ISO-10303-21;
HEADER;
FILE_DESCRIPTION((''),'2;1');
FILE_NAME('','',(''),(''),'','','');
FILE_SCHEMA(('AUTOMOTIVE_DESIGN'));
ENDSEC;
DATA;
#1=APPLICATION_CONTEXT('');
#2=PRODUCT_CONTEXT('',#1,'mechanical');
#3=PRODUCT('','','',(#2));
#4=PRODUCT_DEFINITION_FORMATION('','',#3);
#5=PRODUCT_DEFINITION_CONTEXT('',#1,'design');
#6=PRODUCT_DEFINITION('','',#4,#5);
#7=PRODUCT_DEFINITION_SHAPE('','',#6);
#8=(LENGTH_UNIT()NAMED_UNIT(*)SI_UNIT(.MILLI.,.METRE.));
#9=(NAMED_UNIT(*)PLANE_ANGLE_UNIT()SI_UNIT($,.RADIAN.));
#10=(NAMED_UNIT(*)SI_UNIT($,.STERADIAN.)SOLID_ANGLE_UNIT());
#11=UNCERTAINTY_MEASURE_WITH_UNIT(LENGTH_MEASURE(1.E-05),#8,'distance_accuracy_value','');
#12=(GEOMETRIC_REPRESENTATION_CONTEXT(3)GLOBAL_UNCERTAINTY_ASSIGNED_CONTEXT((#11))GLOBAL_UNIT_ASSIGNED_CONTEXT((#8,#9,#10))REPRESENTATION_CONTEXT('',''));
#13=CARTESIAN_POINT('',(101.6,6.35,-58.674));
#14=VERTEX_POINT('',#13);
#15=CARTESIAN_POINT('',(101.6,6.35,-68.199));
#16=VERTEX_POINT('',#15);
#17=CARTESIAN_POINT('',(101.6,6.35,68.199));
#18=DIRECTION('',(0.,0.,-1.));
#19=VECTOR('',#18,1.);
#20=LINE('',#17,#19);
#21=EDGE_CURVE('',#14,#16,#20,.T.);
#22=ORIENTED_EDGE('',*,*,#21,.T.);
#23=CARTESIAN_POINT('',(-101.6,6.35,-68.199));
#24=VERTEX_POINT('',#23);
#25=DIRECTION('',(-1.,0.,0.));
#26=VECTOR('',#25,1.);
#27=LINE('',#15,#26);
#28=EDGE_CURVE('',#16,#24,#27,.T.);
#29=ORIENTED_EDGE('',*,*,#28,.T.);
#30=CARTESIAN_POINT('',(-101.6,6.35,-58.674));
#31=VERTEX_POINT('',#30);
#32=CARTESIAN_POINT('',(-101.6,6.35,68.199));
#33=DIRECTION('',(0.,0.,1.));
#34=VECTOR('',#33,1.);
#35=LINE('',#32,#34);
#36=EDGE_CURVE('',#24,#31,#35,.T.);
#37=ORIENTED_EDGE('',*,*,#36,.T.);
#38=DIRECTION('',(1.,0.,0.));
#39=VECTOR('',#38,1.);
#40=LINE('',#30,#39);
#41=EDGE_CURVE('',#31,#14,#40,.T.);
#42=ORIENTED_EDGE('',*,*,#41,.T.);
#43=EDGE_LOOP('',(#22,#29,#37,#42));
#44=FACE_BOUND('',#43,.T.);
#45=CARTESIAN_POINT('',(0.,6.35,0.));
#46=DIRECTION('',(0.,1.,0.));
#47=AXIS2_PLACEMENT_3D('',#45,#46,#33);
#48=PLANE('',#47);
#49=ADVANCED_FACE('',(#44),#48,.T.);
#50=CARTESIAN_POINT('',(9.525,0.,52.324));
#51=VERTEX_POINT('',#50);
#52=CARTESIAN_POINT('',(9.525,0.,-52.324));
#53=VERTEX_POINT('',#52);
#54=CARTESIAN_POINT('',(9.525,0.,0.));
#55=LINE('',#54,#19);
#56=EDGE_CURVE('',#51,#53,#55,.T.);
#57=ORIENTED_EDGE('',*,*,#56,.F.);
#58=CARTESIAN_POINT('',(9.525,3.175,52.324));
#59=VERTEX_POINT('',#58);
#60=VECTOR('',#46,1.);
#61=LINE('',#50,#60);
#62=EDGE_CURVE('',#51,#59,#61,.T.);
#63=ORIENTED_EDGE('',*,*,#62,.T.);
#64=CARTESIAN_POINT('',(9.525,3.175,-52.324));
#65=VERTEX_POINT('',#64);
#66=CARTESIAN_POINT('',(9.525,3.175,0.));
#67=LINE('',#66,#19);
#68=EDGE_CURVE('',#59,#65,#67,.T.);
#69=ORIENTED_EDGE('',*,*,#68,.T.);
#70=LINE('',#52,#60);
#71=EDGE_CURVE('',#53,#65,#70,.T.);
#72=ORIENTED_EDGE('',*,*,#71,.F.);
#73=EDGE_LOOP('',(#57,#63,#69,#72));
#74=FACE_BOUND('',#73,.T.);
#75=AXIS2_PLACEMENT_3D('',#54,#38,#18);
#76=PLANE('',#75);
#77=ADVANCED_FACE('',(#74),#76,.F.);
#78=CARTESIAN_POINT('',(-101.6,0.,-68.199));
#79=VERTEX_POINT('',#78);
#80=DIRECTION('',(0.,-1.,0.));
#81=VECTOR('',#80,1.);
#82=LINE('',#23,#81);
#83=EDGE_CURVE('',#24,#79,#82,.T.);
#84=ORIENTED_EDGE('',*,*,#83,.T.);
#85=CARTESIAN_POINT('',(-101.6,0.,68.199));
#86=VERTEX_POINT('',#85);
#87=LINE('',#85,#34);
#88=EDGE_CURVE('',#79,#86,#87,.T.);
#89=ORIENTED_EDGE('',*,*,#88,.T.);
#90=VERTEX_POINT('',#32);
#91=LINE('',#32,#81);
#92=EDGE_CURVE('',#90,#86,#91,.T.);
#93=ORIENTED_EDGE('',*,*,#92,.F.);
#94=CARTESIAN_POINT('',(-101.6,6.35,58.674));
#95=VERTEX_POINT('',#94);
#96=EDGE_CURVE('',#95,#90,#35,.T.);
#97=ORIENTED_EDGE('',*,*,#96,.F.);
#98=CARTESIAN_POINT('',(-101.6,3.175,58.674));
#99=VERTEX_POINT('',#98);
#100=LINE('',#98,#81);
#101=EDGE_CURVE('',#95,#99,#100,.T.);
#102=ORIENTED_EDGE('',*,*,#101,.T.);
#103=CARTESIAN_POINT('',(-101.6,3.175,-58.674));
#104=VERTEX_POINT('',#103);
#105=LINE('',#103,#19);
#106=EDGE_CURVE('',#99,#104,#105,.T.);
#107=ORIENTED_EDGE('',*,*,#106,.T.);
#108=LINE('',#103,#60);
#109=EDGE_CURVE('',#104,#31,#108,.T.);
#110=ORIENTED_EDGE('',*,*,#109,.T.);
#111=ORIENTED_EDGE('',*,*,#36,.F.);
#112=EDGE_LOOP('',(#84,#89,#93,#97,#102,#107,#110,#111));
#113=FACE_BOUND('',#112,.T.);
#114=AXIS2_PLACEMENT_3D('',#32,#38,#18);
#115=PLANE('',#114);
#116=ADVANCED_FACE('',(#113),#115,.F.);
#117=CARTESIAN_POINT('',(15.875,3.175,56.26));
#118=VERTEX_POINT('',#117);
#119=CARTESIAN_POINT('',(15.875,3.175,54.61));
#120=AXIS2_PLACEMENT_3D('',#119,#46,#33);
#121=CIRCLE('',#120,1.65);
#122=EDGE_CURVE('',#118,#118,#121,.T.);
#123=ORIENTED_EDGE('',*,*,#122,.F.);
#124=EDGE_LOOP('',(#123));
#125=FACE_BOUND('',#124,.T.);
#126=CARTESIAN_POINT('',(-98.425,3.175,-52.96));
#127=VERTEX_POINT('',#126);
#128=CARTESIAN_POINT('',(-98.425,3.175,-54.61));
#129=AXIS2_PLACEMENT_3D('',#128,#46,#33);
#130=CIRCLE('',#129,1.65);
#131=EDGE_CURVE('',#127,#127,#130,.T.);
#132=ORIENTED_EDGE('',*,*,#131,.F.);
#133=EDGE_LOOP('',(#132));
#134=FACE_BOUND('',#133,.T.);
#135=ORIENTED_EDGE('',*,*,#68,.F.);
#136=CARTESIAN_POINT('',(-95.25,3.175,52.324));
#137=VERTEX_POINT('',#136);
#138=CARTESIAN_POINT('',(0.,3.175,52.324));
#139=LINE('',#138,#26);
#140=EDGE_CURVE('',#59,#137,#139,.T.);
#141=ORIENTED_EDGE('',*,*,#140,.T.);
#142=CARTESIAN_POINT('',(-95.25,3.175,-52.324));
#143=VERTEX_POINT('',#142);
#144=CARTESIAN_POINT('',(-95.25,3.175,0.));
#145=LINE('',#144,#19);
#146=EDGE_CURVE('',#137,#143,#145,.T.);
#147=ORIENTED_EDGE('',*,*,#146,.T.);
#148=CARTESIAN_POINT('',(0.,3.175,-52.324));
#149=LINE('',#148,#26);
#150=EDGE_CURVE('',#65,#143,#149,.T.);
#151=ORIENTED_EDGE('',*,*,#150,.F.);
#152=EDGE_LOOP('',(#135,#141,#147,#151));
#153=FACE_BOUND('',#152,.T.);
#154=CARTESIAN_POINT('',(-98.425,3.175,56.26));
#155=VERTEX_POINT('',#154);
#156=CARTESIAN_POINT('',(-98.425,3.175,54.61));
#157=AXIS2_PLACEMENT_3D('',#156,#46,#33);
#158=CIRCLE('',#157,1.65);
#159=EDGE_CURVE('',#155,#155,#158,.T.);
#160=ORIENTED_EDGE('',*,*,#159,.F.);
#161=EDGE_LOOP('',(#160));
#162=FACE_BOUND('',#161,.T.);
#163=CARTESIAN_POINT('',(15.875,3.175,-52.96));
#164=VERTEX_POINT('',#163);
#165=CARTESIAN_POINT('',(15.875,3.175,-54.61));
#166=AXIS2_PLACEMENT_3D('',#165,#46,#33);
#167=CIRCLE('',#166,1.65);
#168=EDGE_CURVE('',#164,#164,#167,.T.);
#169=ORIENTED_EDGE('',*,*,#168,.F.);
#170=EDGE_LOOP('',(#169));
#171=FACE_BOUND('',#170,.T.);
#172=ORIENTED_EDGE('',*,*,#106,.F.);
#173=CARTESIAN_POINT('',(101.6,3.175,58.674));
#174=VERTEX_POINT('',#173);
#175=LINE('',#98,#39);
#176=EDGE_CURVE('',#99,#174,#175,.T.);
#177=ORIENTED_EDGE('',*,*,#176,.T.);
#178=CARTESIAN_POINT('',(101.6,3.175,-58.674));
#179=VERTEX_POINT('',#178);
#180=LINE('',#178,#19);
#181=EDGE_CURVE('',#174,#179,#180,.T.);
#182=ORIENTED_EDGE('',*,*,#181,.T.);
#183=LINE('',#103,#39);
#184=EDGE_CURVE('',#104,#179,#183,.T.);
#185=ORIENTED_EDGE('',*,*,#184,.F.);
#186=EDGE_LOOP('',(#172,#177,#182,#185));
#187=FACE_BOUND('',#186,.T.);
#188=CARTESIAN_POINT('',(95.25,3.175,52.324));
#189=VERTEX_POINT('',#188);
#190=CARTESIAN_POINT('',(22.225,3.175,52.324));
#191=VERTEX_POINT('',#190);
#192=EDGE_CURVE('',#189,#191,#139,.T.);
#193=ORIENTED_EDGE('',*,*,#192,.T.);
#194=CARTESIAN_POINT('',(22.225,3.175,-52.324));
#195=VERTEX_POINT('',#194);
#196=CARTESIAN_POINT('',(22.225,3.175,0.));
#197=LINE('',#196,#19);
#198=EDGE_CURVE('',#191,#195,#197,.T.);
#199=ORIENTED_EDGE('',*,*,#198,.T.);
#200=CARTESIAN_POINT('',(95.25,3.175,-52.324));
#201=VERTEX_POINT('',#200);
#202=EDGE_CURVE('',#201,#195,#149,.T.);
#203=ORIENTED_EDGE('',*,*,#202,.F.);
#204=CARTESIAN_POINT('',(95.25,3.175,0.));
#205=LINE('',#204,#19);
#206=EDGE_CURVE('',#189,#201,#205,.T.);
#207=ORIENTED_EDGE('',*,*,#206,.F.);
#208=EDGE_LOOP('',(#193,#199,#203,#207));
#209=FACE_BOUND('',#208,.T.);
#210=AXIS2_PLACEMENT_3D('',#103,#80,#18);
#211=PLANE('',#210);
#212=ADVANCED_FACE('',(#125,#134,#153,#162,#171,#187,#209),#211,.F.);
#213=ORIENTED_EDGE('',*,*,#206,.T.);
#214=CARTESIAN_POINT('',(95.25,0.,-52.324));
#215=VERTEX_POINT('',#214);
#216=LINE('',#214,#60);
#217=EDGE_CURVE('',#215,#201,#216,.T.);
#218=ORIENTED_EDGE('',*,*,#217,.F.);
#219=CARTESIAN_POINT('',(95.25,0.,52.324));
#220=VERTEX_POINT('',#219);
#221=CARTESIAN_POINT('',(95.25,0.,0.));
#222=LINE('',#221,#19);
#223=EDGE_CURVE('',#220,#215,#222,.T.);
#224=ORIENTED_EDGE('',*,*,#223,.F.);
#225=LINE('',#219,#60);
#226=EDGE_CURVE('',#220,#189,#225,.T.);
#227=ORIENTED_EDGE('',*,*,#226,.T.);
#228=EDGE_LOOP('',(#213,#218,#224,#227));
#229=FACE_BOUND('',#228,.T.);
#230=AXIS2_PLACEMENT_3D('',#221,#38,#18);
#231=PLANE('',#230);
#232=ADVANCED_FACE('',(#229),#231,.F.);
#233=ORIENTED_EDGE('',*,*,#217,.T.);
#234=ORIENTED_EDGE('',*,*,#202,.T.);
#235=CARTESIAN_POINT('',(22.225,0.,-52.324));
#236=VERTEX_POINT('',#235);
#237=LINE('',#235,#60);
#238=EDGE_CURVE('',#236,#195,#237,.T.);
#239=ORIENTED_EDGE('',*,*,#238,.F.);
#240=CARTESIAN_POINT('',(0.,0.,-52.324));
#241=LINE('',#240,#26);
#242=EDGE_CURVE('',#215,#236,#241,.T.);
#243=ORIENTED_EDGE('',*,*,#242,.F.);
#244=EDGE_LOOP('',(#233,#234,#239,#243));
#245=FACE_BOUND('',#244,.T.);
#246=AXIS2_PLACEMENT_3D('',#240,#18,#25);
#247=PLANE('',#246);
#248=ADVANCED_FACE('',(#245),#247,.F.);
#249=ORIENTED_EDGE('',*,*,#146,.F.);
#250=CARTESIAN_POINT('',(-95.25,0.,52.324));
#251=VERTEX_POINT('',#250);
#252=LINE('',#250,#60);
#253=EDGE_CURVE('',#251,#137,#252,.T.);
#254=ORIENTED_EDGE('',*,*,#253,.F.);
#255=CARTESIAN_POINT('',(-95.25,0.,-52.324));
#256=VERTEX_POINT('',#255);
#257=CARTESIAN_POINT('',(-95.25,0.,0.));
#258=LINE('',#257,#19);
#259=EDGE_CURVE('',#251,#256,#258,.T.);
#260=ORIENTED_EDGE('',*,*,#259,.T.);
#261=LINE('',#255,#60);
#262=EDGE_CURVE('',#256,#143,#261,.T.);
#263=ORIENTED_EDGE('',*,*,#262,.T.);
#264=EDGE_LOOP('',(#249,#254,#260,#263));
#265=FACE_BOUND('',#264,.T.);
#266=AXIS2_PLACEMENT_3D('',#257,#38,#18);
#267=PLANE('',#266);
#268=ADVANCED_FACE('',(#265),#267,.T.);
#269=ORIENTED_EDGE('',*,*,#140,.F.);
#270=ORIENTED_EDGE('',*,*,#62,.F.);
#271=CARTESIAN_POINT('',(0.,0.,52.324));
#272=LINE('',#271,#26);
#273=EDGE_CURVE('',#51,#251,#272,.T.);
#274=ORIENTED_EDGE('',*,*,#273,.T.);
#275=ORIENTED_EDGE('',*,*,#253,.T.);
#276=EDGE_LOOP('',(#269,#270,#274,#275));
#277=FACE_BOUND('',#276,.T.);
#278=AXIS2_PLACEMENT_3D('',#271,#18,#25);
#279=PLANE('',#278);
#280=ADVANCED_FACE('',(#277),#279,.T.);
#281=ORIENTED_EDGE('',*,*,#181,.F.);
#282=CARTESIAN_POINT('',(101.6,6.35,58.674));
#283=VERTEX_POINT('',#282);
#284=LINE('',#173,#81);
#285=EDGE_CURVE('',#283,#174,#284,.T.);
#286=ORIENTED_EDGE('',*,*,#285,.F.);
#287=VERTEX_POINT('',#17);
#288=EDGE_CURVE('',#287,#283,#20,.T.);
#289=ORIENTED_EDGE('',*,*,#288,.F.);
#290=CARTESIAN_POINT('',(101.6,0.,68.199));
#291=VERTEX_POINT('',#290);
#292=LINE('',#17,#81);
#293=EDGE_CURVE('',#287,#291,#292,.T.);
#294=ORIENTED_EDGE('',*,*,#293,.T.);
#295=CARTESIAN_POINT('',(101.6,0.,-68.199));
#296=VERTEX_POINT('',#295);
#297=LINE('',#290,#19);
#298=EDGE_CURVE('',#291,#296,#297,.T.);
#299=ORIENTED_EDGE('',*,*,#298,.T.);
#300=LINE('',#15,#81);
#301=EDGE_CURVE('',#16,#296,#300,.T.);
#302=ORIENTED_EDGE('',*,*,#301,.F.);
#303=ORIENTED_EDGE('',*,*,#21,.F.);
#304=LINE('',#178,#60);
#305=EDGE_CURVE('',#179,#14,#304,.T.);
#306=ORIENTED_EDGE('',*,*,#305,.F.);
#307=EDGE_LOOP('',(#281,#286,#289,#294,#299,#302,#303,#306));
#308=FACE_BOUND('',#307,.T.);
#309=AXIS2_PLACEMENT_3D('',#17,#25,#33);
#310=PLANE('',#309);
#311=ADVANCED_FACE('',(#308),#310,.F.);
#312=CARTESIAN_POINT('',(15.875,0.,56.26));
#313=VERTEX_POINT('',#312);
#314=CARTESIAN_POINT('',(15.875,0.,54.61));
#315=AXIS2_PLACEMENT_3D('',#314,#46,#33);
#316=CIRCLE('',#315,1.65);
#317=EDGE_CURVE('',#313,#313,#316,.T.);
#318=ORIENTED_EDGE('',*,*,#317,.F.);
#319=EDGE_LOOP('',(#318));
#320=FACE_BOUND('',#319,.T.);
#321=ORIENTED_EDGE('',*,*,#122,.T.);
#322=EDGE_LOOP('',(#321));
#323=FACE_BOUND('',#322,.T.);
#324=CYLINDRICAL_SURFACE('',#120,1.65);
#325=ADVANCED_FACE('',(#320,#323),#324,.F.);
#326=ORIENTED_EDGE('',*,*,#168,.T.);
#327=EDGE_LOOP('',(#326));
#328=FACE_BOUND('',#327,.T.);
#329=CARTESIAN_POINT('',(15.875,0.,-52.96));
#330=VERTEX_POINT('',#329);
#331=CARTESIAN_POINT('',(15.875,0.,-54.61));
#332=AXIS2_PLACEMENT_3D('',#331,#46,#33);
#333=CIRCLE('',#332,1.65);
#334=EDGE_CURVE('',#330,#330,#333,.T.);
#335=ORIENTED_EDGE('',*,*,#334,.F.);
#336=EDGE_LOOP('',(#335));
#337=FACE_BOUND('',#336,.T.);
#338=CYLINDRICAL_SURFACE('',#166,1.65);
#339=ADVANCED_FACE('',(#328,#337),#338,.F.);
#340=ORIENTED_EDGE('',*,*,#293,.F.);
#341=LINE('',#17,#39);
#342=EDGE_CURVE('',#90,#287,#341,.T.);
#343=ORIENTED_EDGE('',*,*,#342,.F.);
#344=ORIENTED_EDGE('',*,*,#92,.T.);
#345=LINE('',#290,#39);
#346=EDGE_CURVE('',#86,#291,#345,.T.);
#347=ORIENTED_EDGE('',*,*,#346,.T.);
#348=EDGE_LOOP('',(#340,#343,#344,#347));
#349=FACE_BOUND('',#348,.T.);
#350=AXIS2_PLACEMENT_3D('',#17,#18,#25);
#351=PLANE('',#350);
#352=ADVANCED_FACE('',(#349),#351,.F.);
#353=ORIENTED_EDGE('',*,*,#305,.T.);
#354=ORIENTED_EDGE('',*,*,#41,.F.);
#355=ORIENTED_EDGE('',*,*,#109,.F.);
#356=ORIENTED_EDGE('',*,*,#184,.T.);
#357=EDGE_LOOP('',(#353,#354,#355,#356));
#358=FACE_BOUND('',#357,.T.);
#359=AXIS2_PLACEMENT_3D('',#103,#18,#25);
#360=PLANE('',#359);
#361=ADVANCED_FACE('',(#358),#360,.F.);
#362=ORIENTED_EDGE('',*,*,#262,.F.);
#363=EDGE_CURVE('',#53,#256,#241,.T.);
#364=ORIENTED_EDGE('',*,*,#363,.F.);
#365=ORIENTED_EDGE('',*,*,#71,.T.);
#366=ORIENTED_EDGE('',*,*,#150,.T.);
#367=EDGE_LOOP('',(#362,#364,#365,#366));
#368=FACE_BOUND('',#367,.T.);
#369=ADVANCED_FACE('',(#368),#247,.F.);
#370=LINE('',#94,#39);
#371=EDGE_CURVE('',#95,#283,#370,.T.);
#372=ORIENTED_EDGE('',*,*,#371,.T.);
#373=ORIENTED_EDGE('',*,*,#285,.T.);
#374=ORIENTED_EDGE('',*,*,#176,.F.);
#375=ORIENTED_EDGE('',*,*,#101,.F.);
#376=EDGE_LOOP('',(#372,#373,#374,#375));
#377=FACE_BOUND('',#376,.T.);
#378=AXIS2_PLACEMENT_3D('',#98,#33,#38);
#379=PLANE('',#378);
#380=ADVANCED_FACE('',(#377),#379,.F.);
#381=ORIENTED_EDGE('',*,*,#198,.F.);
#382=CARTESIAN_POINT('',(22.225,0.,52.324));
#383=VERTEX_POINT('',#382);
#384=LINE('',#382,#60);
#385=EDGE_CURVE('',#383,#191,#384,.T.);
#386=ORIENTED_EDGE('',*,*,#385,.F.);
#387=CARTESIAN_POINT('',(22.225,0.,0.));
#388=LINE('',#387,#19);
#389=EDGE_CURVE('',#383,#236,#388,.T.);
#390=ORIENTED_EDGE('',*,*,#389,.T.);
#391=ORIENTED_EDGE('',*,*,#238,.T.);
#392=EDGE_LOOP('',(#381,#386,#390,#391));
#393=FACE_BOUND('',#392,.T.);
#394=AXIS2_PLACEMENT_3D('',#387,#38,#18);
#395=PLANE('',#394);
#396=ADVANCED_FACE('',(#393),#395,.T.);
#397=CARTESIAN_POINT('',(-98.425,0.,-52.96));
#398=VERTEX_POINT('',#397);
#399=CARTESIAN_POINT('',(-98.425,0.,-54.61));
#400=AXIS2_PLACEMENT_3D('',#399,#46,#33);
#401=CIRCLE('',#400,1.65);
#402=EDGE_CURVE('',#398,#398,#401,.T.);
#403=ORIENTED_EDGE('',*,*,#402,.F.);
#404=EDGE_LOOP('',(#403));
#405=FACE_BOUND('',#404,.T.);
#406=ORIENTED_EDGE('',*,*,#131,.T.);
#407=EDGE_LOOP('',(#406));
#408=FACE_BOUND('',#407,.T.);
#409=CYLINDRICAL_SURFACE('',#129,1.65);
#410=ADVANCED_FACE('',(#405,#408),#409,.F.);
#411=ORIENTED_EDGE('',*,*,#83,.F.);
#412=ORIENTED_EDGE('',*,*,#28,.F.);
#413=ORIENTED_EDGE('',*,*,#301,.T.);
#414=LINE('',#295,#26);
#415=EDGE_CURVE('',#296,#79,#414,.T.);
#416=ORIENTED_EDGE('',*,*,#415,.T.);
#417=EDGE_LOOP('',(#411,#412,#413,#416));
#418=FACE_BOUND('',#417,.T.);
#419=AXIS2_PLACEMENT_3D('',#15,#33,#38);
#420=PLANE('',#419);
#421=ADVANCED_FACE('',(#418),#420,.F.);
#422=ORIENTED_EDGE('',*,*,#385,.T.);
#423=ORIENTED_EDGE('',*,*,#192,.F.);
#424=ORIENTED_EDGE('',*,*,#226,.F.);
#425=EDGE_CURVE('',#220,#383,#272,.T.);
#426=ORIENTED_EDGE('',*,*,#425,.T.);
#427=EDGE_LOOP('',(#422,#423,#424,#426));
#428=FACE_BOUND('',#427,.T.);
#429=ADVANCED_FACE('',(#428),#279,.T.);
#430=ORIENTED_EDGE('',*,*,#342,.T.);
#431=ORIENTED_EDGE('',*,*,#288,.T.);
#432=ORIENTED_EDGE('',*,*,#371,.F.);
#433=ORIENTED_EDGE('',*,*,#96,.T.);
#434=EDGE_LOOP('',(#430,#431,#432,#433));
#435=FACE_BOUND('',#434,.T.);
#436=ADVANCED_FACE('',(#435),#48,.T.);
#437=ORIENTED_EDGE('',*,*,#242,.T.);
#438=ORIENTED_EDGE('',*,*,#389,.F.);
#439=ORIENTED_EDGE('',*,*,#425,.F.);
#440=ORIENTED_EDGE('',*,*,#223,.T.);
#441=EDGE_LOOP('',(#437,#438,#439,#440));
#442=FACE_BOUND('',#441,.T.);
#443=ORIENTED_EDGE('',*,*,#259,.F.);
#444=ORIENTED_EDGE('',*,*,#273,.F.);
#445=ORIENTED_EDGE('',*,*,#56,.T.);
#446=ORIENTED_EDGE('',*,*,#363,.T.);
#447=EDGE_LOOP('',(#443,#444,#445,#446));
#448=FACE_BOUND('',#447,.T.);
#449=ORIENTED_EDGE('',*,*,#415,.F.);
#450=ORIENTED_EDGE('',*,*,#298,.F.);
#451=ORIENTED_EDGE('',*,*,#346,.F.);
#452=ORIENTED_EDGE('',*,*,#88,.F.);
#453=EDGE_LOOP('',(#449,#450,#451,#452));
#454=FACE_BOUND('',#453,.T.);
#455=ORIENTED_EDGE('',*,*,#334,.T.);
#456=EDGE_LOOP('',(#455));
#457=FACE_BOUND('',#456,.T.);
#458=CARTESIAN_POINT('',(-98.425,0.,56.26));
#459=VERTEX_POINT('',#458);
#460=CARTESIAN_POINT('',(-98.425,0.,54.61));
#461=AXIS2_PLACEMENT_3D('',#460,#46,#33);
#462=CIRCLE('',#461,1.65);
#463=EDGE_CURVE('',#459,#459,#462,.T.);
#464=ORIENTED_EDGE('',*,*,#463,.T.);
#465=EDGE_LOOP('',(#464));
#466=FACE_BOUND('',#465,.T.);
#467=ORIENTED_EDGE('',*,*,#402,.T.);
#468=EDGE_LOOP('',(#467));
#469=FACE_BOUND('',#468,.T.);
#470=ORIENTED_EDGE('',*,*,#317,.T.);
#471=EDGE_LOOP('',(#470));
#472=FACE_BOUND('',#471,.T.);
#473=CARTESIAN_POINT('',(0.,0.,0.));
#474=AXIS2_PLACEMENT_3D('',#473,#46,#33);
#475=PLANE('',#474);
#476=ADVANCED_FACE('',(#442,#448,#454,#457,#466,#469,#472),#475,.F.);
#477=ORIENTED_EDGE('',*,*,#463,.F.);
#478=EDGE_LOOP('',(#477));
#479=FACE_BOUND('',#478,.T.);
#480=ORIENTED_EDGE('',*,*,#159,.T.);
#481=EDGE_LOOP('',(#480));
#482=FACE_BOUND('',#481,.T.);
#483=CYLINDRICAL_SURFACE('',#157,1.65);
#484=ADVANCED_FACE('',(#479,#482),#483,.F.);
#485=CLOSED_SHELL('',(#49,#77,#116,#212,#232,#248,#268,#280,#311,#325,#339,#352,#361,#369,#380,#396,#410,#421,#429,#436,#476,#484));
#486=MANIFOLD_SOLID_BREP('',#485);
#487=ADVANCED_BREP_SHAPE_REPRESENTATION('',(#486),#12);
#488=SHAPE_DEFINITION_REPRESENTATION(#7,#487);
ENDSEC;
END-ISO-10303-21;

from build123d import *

# Parameters (mm, degrees)
SKETCH1_W                 = 203.2
SKETCH1_H                 = 136.398
BOSS_EXTRUDE1_DEPTH       = 6.35
SKETCH3_W                 = 117.348
SKETCH3_H                 = 3.175
CUT_EXTRUDE1_DEPTH        = 204.2
SKETCH4_W                 = 104.775
SKETCH4_H                 = 104.648
SKETCH4_W_2               = 73.025
CUT_EXTRUDE3_DEPTH        = 4.175
M4X0_7_TAPPED_HOLE1_D     = 3.3
M4X0_7_TAPPED_HOLE1_DEPTH = 9.906


with BuildPart() as part:
    # Sketch1 → Boss-Extrude1 (new body)
    with BuildSketch(Plane(origin=(0, 0, 0), x_dir=(1, 0, 0), z_dir=(0, 1, 0))):
        Rectangle(SKETCH1_W, SKETCH1_H)
    extrude(amount=BOSS_EXTRUDE1_DEPTH)

    # Sketch3 → Cut-Extrude1 (cut, through all)
    with BuildSketch(Plane(origin=(101.6, 0, 0), x_dir=(0, 0, -1), z_dir=(1, 0, 0))):
        with Locations((0, 4.7625)):
            Rectangle(SKETCH3_W, SKETCH3_H)
    extrude(amount=-CUT_EXTRUDE1_DEPTH, mode=Mode.SUBTRACT)

    # Sketch4 → Cut-Extrude3 (cut, through all)
    with BuildSketch(Plane(origin=(0, 3.175, 0), x_dir=(1, 0, 0), z_dir=(0, 1, 0))):
        with Locations((-42.8625, 0)):
            Rectangle(SKETCH4_W, SKETCH4_H)
        with Locations((58.7375, 0)):
            Rectangle(SKETCH4_W_2, SKETCH4_H)
    extrude(amount=-CUT_EXTRUDE3_DEPTH, mode=Mode.SUBTRACT)

    # M4x0.7 Tapped Hole1
    with Locations(Plane(origin=(0, 3.175, 0), x_dir=(1, 0, 0), z_dir=(0, 1, 0))):
        with Locations((-98.425, -54.61), (-98.425, 54.61), (15.875, 54.61), (15.875, -54.61)):
            Hole(M4X0_7_TAPPED_HOLE1_D / 2, depth=M4X0_7_TAPPED_HOLE1_DEPTH)


solid = part.part
